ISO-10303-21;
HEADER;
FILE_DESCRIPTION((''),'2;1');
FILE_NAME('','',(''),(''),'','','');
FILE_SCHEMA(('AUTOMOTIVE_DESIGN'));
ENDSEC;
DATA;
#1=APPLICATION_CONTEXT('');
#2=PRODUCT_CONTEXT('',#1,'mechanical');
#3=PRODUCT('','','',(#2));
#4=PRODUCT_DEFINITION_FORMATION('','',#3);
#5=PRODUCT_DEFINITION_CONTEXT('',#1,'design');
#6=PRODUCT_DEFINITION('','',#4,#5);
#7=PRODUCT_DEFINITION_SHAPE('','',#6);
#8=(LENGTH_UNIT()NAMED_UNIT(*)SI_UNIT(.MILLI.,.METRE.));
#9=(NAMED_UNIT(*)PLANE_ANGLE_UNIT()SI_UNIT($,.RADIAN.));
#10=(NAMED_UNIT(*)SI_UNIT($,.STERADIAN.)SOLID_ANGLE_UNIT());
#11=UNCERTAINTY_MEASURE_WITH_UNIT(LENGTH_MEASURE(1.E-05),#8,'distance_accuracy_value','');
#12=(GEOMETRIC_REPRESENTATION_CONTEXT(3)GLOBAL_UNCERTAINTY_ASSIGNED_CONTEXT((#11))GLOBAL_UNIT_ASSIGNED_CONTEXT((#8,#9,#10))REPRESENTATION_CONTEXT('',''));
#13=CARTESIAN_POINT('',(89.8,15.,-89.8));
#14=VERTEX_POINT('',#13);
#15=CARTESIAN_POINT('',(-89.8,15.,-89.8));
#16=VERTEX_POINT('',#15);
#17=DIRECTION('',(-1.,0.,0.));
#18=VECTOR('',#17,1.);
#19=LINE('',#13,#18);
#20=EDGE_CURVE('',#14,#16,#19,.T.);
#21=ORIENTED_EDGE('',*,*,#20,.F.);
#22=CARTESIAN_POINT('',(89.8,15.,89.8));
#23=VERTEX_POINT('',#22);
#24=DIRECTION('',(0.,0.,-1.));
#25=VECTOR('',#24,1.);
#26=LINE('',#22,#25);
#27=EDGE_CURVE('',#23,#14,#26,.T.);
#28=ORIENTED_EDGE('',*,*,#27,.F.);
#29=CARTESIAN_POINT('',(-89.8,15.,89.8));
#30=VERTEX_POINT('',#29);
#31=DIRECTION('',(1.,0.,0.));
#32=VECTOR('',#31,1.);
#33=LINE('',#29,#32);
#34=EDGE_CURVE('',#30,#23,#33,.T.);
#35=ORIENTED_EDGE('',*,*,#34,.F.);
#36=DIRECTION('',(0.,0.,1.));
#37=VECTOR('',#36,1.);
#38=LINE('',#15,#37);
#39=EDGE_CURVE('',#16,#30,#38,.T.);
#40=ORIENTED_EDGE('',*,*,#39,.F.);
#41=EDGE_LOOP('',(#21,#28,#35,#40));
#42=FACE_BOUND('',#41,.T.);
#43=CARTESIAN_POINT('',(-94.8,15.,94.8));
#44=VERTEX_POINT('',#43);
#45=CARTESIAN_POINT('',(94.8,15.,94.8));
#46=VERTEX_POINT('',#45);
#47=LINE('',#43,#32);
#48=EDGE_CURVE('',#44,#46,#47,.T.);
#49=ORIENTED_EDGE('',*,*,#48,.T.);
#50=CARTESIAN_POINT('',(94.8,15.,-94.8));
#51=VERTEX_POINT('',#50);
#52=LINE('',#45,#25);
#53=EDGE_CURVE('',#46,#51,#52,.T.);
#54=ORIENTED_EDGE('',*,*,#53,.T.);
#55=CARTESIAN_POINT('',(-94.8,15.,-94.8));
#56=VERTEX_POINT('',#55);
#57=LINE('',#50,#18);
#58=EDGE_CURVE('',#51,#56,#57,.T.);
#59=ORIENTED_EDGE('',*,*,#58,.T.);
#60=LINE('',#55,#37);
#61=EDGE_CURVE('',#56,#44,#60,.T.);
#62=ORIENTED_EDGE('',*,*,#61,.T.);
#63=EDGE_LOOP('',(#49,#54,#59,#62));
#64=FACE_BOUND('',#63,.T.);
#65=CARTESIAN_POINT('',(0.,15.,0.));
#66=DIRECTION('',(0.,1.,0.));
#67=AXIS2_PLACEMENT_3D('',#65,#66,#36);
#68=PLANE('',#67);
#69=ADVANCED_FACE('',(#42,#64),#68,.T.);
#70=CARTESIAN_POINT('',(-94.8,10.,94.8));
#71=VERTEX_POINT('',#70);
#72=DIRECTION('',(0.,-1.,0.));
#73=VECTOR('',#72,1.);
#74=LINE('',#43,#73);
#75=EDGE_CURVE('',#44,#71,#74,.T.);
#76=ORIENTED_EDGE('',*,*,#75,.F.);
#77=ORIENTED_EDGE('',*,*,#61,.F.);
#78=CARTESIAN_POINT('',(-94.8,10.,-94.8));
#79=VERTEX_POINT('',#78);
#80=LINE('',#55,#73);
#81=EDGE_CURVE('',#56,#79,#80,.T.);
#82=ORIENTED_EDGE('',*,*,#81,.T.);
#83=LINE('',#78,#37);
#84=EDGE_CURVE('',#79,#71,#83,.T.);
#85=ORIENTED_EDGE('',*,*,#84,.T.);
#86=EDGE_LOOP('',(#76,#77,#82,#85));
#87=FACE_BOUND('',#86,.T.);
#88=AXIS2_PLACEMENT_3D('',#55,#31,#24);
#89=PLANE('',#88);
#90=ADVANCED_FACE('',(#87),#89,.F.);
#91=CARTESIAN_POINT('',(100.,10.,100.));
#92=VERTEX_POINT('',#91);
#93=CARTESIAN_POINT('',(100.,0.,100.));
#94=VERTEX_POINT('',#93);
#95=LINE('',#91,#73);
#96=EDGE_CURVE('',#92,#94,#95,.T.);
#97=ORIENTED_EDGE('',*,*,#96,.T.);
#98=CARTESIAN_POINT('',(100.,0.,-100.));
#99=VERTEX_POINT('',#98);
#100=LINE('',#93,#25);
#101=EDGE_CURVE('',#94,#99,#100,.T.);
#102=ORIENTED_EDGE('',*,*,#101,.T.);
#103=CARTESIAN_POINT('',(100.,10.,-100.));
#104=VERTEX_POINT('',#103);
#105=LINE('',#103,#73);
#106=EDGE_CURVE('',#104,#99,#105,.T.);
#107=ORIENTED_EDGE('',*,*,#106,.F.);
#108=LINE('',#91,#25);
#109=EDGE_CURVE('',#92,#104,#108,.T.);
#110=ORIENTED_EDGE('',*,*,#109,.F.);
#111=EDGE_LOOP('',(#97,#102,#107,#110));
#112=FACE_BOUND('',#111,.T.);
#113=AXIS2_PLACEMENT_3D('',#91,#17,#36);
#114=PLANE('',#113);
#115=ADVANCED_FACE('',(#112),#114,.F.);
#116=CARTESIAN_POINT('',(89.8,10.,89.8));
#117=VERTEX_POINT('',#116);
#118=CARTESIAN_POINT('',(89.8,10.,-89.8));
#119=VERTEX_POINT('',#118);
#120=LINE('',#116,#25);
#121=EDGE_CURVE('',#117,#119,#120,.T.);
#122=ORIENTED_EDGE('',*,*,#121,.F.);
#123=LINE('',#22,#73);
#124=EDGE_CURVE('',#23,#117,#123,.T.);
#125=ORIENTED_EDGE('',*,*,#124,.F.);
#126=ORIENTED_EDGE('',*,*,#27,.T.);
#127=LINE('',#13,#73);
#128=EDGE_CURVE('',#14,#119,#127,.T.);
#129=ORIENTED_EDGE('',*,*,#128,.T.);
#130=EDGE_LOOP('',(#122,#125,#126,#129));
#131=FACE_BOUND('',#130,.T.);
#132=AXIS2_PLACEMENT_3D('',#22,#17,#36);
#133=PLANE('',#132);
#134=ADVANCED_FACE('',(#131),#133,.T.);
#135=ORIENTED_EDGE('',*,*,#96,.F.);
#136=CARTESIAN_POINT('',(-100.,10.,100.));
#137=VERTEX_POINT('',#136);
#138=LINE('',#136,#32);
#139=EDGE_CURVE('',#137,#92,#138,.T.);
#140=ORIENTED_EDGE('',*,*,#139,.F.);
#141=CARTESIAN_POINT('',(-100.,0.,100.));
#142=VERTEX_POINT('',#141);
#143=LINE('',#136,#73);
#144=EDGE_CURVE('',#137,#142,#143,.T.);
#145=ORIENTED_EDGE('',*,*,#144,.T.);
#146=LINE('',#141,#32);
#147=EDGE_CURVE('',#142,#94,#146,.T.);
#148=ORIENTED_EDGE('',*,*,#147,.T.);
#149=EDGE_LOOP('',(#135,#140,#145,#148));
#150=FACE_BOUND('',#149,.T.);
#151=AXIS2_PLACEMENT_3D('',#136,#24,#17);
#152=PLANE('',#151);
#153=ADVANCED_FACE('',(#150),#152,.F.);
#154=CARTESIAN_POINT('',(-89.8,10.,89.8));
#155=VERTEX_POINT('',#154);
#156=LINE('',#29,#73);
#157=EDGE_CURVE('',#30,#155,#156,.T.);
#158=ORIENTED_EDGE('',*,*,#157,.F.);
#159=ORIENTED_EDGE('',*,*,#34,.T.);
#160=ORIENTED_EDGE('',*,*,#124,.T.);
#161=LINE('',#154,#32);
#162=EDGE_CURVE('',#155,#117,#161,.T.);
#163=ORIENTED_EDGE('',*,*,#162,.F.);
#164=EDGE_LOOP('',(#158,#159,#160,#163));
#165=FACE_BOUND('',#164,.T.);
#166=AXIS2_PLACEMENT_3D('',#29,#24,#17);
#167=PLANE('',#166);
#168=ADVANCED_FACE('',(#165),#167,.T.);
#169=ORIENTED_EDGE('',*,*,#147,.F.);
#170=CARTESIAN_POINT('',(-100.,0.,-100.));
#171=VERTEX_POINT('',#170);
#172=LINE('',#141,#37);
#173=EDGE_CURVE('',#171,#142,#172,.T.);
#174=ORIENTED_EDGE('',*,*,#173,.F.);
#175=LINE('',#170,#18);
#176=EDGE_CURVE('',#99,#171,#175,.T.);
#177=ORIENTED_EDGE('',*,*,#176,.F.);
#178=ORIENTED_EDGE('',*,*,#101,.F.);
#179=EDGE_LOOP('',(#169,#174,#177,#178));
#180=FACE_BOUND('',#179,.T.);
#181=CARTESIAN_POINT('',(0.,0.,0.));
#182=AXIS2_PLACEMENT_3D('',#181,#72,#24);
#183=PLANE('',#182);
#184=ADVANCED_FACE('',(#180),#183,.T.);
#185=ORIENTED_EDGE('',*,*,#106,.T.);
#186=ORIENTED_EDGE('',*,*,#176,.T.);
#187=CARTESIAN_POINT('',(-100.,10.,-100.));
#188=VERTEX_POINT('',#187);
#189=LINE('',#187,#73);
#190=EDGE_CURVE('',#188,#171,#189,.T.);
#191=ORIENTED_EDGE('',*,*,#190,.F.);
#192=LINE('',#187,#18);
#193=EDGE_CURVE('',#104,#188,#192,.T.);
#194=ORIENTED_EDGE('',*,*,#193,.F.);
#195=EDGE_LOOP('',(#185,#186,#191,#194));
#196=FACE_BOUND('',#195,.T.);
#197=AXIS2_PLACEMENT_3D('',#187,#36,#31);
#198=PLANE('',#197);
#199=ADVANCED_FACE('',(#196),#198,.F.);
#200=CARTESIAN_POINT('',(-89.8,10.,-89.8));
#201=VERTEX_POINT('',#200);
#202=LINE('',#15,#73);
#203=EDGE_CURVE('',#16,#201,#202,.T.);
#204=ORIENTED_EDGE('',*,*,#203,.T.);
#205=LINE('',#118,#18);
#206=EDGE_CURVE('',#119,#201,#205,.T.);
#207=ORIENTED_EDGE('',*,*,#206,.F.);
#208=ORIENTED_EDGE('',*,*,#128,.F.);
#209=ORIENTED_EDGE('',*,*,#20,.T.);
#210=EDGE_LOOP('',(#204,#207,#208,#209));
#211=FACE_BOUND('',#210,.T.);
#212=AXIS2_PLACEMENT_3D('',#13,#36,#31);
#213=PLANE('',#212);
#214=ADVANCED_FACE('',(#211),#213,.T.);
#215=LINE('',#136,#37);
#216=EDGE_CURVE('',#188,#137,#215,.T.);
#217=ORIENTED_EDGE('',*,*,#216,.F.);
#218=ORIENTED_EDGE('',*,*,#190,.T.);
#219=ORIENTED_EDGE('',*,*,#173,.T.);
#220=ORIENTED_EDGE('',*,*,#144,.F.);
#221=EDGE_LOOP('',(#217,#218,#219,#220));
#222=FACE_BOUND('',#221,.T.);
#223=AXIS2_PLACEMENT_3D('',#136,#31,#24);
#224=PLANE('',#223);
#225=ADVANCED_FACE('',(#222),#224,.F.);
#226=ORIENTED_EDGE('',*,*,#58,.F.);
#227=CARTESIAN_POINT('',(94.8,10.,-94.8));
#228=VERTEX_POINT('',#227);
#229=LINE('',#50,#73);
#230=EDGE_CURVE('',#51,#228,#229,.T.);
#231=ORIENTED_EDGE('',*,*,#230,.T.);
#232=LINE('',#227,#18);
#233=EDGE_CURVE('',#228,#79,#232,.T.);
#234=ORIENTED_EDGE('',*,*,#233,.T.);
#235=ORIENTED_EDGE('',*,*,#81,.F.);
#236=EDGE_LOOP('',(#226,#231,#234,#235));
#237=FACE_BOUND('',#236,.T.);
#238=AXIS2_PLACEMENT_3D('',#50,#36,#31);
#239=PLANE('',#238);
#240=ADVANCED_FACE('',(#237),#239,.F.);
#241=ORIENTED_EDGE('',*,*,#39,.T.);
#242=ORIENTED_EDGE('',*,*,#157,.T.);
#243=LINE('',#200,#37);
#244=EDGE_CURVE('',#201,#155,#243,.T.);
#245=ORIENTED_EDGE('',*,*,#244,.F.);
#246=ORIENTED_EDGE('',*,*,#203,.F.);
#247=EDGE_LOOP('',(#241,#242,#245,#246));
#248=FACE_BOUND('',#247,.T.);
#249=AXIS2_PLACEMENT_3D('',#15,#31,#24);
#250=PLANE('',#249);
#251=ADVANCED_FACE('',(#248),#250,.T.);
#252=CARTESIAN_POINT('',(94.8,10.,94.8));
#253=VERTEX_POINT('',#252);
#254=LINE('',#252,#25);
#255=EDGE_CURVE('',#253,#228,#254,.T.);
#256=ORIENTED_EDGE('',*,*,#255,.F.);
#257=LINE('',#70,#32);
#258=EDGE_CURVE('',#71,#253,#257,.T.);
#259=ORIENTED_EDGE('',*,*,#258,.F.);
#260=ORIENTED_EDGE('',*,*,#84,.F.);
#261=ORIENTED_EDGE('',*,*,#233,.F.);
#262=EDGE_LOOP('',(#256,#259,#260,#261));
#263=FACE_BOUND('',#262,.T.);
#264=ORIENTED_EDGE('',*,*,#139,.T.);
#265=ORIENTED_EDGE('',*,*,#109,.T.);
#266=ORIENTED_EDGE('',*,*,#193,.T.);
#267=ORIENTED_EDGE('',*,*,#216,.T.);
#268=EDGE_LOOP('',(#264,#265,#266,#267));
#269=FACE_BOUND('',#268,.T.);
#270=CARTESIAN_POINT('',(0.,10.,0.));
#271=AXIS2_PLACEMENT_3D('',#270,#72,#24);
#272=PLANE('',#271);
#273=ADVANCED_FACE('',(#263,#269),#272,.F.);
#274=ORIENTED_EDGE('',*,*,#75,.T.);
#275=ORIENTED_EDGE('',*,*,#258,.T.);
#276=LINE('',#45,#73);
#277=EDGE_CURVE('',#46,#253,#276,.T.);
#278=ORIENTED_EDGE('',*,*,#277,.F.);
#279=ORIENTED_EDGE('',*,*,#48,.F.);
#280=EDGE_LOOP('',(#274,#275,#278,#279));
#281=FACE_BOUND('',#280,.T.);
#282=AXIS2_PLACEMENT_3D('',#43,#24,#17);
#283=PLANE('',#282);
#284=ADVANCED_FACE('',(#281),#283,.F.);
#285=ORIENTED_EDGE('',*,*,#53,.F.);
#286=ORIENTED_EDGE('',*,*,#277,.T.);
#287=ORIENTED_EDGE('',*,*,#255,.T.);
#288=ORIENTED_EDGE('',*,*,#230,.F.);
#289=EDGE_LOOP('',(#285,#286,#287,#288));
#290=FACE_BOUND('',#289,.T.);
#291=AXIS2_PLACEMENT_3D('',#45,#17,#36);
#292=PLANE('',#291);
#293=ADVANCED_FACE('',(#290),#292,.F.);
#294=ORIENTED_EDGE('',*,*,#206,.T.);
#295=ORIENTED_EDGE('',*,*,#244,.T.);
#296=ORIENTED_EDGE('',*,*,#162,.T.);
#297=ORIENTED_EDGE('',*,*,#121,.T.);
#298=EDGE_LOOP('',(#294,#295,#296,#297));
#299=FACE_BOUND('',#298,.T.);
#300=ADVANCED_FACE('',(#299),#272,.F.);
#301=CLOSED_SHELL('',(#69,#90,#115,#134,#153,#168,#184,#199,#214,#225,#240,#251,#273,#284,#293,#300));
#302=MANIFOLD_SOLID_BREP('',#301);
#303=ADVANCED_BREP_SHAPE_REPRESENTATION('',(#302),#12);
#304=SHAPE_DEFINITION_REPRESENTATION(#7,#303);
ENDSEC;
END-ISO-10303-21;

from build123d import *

# Parameters (mm, degrees)
CROQUIS1_W              = 200
CROQUIS1_H              = 200
SALIENTE_EXTRUIR1_DEPTH = 10
CROQUIS2_W              = 189.6
CROQUIS2_H              = 189.6
CROQUIS2_W_2            = 179.6
CROQUIS2_H_2            = 179.6
SALIENTE_EXTRUIR2_DEPTH = 5


with BuildPart() as part:
    # Croquis1 → Saliente-Extruir1 (new body)
    with BuildSketch(Plane(origin=(0, 0, 0), x_dir=(1, 0, 0), z_dir=(0, 1, 0))):
        Rectangle(CROQUIS1_W, CROQUIS1_H)
    extrude(amount=SALIENTE_EXTRUIR1_DEPTH)

    # Croquis2 → Saliente-Extruir2 (add)
    with BuildSketch(Plane(origin=(0, 10, 0), x_dir=(1, 0, 0), z_dir=(0, 1, 0))):
        Rectangle(CROQUIS2_W, CROQUIS2_H)
        Rectangle(CROQUIS2_W_2, CROQUIS2_H_2, mode=Mode.SUBTRACT)
    extrude(amount=SALIENTE_EXTRUIR2_DEPTH)


solid = part.part
